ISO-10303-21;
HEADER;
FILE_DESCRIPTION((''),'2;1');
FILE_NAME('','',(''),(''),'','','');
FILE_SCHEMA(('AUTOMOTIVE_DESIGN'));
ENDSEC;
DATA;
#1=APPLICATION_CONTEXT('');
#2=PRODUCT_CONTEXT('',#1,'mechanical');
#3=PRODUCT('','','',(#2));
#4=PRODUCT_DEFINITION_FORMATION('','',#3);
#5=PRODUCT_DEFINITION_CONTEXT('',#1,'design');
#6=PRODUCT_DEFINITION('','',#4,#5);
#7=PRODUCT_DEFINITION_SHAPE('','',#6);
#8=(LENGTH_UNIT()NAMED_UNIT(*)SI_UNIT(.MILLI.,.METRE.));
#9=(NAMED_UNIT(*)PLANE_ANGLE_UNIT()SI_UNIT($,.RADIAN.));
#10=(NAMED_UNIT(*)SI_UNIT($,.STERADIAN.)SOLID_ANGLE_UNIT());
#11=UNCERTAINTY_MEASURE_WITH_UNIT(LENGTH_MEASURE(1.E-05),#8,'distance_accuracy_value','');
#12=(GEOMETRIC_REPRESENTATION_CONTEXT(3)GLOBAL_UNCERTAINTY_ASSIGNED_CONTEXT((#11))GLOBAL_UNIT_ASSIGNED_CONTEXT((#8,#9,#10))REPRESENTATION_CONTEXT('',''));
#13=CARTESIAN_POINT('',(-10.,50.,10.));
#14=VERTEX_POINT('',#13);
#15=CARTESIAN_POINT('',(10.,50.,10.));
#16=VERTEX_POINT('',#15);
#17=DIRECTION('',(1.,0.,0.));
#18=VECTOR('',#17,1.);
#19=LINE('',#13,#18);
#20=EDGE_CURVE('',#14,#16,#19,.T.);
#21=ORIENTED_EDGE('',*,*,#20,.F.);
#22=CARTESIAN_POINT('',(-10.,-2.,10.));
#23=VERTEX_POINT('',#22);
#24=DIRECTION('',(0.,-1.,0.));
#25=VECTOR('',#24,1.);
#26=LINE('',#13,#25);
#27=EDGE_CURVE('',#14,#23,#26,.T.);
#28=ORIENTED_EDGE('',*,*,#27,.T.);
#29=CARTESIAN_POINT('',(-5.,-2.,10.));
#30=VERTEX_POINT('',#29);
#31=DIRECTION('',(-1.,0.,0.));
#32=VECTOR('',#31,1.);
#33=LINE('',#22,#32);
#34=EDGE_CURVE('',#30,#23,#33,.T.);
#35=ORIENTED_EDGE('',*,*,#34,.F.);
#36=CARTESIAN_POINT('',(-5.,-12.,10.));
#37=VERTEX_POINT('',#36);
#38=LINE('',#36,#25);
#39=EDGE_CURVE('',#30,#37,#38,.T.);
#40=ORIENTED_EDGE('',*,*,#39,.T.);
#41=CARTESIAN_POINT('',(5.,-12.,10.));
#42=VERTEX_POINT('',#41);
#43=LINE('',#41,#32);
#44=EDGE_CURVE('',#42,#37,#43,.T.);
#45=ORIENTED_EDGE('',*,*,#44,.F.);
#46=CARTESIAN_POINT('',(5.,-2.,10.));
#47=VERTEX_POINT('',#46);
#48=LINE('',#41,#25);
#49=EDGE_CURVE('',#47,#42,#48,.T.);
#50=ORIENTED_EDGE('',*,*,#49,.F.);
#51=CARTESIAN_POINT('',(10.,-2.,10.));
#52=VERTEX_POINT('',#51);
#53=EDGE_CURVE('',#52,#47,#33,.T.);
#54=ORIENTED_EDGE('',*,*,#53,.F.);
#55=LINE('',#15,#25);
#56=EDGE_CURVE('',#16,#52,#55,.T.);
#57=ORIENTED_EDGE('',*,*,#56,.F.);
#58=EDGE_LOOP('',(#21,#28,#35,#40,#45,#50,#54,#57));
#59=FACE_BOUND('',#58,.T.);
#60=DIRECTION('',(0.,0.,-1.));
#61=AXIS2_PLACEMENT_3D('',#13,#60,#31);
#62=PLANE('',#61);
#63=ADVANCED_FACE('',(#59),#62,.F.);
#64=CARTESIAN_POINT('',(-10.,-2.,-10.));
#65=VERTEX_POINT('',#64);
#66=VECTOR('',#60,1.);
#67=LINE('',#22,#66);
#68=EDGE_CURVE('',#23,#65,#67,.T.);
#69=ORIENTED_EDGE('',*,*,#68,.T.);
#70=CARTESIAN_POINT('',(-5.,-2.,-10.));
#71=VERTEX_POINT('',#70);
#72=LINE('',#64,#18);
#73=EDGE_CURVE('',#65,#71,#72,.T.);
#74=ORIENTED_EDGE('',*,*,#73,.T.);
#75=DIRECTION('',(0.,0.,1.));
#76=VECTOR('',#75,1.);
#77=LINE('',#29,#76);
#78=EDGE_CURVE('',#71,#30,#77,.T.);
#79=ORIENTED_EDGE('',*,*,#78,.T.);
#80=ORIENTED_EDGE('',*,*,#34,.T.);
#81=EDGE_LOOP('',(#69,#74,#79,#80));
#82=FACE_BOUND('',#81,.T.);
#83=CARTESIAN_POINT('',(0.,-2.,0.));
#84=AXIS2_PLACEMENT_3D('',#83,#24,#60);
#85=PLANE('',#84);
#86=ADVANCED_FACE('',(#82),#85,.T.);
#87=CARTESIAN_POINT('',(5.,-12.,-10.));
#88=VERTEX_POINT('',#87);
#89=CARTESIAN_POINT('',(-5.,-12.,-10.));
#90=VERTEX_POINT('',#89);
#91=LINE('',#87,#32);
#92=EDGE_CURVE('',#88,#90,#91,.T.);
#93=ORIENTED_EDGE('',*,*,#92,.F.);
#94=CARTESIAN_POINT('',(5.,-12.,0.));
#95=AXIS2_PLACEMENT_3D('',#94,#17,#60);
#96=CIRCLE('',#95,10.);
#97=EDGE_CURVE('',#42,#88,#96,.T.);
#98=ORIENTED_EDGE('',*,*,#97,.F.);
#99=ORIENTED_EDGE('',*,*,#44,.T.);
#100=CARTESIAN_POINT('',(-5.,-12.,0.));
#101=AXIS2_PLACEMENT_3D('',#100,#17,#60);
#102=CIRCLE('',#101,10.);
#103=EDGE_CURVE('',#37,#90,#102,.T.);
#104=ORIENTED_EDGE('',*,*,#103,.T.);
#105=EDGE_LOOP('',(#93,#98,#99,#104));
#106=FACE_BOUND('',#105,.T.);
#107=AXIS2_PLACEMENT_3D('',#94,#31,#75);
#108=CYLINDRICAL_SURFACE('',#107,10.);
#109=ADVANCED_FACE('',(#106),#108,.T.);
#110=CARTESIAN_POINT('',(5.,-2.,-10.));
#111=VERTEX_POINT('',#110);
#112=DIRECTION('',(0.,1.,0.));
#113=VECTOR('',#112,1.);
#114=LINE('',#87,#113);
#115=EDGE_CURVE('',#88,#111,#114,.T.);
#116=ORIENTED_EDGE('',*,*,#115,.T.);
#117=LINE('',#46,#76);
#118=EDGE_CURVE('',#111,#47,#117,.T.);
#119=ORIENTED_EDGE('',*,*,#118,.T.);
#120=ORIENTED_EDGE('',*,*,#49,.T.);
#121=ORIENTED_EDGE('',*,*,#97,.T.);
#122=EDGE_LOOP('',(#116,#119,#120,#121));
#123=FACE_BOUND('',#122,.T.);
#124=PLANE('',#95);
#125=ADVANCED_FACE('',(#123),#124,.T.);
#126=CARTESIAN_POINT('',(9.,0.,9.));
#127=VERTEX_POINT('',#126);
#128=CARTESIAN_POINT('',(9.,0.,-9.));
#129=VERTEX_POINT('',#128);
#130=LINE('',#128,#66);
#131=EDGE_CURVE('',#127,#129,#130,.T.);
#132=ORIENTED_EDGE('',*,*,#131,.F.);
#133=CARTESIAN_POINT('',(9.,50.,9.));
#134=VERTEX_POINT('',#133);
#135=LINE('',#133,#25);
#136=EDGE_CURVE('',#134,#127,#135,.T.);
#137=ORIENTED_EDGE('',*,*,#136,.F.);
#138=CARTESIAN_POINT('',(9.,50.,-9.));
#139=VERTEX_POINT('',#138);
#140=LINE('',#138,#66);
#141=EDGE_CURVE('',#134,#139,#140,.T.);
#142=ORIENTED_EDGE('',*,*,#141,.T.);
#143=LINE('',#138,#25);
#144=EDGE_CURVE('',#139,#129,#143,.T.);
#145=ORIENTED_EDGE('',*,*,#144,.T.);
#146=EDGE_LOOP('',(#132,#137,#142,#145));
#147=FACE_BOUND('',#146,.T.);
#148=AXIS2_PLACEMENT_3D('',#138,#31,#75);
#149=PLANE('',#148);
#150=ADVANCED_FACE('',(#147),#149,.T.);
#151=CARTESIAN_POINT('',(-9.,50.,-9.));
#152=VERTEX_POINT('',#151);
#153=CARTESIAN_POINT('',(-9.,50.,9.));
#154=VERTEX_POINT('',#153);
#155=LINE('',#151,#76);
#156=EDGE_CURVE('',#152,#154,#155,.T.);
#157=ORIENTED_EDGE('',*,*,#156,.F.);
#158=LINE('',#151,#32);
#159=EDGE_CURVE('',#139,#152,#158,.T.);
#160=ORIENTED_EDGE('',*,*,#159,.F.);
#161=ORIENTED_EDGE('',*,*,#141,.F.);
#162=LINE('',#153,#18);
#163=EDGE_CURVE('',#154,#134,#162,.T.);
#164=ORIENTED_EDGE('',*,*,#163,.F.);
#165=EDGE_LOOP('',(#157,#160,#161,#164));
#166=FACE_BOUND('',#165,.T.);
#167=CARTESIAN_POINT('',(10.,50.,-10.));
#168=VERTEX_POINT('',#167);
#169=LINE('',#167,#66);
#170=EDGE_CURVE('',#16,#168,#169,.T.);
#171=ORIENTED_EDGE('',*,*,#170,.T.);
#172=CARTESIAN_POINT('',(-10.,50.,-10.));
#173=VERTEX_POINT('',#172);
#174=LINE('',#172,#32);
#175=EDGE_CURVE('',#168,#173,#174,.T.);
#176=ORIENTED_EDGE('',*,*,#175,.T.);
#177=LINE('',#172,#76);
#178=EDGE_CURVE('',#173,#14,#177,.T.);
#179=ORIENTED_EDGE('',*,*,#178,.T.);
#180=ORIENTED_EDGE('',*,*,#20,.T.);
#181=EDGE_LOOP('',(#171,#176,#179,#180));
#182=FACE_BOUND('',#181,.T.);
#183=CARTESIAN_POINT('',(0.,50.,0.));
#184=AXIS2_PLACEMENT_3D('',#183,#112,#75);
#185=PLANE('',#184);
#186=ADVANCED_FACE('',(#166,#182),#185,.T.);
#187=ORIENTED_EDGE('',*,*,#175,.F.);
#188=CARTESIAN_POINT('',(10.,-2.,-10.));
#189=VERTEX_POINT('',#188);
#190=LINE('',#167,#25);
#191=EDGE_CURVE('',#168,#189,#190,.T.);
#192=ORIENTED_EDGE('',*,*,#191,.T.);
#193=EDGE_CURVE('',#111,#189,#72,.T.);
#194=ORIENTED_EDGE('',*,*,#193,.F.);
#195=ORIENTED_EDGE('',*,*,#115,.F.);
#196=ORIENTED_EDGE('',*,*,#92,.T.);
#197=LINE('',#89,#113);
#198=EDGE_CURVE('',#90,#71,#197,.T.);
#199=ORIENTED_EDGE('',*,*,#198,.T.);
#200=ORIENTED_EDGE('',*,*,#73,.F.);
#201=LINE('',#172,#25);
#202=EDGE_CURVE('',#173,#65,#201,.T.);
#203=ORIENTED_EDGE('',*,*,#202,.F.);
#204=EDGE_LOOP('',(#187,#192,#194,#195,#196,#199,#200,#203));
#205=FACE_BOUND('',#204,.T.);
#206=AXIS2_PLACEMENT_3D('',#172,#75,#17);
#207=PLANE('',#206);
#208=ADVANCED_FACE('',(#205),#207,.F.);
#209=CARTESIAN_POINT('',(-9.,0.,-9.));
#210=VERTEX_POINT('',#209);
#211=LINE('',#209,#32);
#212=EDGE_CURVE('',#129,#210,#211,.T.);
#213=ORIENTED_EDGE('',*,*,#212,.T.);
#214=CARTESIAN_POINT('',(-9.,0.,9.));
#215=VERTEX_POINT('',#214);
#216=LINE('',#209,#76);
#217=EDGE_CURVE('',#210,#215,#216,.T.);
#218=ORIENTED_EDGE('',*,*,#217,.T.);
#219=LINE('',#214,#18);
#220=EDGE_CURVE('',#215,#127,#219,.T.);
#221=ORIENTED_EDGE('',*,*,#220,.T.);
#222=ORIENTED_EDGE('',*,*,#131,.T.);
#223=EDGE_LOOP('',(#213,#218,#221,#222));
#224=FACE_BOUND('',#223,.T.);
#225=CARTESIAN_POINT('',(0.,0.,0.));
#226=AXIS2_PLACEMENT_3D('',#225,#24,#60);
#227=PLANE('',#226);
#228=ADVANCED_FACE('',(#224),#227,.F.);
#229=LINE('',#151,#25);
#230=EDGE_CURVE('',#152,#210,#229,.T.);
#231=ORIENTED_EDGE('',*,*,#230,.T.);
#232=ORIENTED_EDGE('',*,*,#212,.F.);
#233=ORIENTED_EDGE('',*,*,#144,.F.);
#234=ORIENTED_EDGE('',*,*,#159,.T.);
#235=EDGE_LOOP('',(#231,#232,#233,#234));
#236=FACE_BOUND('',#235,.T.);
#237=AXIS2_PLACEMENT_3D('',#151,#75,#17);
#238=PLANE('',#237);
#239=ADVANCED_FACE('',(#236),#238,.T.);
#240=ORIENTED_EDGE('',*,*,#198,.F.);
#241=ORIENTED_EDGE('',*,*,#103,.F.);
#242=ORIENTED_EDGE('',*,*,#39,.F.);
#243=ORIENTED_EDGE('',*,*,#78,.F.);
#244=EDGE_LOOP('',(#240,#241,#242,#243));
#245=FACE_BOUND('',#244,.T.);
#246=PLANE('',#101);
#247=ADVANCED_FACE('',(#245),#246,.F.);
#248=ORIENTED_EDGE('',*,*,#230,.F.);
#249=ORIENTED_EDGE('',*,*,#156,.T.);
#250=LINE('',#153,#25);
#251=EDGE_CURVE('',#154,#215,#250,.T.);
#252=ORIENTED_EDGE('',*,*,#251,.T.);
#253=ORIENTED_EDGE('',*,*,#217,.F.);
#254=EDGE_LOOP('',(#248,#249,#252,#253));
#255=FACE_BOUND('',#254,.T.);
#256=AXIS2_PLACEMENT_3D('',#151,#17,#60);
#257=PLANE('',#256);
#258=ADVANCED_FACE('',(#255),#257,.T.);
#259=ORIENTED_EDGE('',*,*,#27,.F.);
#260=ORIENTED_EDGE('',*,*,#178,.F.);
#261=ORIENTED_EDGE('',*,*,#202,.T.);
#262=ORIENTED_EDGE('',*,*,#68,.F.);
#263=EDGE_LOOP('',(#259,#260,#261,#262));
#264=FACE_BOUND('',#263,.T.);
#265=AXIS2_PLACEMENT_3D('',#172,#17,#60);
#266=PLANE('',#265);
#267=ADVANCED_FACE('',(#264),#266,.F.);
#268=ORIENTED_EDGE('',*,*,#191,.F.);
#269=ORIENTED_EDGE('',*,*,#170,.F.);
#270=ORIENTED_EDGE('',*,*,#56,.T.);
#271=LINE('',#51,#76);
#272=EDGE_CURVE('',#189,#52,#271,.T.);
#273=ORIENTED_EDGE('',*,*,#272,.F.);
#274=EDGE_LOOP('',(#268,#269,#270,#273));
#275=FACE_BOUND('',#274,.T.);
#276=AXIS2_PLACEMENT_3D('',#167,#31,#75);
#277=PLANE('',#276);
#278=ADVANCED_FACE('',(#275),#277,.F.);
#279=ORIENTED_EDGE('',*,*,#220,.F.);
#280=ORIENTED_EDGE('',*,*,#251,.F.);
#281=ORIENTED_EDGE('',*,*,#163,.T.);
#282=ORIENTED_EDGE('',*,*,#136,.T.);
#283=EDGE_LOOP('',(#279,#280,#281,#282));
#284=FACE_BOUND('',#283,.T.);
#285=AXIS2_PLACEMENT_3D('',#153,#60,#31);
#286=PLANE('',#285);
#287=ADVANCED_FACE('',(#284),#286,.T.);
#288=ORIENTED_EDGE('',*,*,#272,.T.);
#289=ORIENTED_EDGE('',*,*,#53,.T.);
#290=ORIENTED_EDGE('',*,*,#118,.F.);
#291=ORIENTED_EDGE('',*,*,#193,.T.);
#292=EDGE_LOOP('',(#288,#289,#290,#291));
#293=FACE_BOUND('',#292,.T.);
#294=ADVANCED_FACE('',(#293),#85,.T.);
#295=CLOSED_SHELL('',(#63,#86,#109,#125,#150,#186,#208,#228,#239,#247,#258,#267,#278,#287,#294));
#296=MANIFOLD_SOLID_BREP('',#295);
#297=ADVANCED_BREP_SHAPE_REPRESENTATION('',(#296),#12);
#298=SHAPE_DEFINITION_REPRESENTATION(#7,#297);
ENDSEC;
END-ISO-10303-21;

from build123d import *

# Parameters (mm, degrees)
SKETCH_1_W      = 20
SKETCH_1_H      = 20
SKETCH_1_W_2    = 18
SKETCH_1_H_2    = 18
EXTRUDE_1_DEPTH = 50
SKETCH_2_W      = 20
SKETCH_2_H      = 20
EXTRUDE_2_DEPTH = 2
EXTRUDE_3_DEPTH = 5


with BuildPart() as part:
    # 草图1 → 凸台-拉伸1 (new body)
    with BuildSketch(Plane(origin=(0, 0, 0), x_dir=(1, 0, 0), z_dir=(0, 1, 0))):
        Rectangle(SKETCH_1_W, SKETCH_1_H)
        Rectangle(SKETCH_1_W_2, SKETCH_1_H_2, mode=Mode.SUBTRACT)
    extrude(amount=EXTRUDE_1_DEPTH)

    # 草图2 → 凸台-拉伸2 (add)
    with BuildSketch(Plane.XZ):
        Rectangle(SKETCH_2_W, SKETCH_2_H)
    extrude(amount=EXTRUDE_2_DEPTH)

    # 草图6 → 凸台-拉伸3 (add, symmetric)
    with BuildSketch(Plane(origin=(0, 0, 0), x_dir=(0, 0, -1), z_dir=(1, 0, 0))):
        with BuildLine():
            Line((-10, -2), (10, -2))
            Line((10, -2), (10, -12))
            ThreePointArc((10, -12), (0, -22), (-10, -12))
            Line((-10, -12), (-10, -2))
        make_face()
    extrude(amount=EXTRUDE_3_DEPTH, both=True)


solid = part.part
